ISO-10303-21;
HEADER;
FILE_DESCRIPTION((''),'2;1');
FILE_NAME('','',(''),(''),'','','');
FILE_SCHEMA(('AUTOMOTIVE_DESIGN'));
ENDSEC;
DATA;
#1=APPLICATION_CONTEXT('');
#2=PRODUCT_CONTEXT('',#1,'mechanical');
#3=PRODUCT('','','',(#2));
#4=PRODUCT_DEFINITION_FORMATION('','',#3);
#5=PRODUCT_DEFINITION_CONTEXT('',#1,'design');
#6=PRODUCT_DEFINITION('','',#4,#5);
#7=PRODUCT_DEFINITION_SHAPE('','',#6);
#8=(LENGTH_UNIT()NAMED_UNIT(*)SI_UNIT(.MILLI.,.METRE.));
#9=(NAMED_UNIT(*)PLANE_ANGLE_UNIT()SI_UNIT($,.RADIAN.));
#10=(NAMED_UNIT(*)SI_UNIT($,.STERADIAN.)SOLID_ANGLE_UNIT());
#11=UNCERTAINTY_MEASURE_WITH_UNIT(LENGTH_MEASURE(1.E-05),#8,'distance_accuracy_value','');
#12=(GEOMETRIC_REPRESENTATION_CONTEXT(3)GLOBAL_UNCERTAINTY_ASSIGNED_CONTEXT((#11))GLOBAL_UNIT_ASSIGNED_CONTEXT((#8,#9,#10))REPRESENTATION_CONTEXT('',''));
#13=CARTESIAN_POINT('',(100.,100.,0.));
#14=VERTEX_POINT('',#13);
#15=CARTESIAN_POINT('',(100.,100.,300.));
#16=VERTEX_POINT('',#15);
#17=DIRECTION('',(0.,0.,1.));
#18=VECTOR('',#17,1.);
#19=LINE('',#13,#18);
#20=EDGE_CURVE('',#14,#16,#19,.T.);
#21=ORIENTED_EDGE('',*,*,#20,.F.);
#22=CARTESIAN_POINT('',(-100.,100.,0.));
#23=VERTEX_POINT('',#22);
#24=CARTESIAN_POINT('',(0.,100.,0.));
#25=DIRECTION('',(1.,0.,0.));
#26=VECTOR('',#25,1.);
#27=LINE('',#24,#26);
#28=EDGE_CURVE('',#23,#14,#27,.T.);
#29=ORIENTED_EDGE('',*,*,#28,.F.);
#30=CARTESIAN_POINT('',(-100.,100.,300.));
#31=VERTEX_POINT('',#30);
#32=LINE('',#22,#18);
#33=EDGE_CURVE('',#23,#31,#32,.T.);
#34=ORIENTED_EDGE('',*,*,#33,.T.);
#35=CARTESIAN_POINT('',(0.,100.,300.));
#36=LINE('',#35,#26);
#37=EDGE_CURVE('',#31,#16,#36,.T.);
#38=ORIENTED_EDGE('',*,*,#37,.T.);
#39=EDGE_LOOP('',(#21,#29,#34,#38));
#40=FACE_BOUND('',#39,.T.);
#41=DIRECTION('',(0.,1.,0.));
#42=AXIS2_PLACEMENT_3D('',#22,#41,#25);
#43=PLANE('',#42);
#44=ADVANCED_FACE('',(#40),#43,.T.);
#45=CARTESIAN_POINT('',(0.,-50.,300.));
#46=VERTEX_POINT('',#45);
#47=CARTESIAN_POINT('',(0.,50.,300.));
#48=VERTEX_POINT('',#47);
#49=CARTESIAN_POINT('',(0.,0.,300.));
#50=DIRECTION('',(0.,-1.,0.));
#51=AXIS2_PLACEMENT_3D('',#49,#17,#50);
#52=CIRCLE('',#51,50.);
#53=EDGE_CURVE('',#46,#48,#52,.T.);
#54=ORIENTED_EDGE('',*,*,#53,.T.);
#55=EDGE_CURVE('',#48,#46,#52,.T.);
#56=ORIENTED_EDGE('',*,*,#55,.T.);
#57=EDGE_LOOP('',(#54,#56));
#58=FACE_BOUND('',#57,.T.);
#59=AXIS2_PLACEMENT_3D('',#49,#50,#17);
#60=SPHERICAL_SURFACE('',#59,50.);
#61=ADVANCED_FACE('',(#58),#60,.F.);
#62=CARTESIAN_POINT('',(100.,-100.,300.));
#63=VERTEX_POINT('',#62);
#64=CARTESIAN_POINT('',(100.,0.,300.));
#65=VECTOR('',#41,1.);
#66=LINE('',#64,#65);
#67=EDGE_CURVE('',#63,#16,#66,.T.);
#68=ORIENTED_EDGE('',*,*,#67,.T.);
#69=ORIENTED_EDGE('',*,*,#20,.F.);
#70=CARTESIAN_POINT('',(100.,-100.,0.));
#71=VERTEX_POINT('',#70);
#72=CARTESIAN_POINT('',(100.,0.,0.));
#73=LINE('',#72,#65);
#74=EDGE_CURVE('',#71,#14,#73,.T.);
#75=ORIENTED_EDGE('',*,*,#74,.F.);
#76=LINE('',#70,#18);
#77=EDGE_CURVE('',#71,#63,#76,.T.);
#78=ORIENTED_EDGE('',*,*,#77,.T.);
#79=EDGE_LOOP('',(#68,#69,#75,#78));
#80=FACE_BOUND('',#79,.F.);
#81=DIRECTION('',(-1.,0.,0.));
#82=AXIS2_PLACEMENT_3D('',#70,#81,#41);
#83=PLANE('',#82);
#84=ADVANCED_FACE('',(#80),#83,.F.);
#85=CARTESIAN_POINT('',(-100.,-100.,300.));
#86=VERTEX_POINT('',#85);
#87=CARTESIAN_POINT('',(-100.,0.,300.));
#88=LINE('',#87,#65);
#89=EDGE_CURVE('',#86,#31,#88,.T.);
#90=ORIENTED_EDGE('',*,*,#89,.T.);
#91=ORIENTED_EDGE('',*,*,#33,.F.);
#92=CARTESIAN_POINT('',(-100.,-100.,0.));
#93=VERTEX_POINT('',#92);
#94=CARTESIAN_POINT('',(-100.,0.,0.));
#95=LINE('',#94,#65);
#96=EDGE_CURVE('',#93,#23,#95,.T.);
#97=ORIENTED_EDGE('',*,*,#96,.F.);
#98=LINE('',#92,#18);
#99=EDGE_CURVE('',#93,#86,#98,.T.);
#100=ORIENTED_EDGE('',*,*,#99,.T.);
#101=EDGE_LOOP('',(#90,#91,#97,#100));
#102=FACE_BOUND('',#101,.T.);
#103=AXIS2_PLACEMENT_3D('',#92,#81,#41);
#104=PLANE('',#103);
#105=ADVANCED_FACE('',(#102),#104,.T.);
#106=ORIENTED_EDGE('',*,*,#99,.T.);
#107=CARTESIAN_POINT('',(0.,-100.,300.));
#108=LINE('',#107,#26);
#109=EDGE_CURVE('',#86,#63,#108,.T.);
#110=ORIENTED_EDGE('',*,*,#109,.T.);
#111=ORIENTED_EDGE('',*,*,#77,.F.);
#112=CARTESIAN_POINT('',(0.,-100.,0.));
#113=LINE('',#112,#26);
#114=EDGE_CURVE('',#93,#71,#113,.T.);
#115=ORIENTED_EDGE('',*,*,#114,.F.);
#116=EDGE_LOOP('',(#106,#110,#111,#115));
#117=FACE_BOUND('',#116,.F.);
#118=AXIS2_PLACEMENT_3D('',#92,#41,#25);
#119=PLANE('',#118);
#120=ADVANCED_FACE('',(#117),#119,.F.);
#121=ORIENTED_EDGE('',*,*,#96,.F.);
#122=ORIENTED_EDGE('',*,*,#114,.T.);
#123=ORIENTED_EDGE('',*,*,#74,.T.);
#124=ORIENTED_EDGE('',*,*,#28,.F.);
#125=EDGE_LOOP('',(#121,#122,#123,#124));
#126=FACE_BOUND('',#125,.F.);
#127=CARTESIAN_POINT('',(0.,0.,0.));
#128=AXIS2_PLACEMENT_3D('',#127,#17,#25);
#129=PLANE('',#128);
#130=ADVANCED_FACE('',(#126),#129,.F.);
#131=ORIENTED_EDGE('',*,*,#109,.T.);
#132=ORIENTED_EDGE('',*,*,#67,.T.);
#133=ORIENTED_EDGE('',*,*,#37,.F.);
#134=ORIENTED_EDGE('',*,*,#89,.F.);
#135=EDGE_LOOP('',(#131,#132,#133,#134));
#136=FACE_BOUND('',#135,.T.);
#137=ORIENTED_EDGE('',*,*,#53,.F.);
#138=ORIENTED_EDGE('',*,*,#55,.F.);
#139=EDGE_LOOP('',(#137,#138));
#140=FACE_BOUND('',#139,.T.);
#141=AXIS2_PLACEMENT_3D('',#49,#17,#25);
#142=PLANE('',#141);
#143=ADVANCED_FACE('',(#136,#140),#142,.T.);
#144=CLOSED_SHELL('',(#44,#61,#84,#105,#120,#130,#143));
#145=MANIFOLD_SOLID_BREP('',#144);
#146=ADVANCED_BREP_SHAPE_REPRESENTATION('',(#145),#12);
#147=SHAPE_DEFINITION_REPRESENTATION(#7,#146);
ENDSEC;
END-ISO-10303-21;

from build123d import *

# Parameters (mm, degrees)
F0_W     = 200
F0_H     = 200
F1_DEPTH = 300


with BuildPart() as f1:
    # F0 (on Top) → F1 (new body)
    with BuildSketch(Plane.XY):
        Rectangle(F0_W, F0_H)
    extrude(amount=F1_DEPTH)

    # F2 (on Right) → F3 (revolve, cut)
    with BuildSketch(Plane.YZ):
        with BuildLine():
            ThreePointArc((50, 300), (0, 350), (-50, 300))
            Line((-50, 300), (50, 300))
        make_face()
    revolve(axis=Axis((0, 0, 300), (0, 1, 0)), mode=Mode.SUBTRACT)


solid = f1.part
